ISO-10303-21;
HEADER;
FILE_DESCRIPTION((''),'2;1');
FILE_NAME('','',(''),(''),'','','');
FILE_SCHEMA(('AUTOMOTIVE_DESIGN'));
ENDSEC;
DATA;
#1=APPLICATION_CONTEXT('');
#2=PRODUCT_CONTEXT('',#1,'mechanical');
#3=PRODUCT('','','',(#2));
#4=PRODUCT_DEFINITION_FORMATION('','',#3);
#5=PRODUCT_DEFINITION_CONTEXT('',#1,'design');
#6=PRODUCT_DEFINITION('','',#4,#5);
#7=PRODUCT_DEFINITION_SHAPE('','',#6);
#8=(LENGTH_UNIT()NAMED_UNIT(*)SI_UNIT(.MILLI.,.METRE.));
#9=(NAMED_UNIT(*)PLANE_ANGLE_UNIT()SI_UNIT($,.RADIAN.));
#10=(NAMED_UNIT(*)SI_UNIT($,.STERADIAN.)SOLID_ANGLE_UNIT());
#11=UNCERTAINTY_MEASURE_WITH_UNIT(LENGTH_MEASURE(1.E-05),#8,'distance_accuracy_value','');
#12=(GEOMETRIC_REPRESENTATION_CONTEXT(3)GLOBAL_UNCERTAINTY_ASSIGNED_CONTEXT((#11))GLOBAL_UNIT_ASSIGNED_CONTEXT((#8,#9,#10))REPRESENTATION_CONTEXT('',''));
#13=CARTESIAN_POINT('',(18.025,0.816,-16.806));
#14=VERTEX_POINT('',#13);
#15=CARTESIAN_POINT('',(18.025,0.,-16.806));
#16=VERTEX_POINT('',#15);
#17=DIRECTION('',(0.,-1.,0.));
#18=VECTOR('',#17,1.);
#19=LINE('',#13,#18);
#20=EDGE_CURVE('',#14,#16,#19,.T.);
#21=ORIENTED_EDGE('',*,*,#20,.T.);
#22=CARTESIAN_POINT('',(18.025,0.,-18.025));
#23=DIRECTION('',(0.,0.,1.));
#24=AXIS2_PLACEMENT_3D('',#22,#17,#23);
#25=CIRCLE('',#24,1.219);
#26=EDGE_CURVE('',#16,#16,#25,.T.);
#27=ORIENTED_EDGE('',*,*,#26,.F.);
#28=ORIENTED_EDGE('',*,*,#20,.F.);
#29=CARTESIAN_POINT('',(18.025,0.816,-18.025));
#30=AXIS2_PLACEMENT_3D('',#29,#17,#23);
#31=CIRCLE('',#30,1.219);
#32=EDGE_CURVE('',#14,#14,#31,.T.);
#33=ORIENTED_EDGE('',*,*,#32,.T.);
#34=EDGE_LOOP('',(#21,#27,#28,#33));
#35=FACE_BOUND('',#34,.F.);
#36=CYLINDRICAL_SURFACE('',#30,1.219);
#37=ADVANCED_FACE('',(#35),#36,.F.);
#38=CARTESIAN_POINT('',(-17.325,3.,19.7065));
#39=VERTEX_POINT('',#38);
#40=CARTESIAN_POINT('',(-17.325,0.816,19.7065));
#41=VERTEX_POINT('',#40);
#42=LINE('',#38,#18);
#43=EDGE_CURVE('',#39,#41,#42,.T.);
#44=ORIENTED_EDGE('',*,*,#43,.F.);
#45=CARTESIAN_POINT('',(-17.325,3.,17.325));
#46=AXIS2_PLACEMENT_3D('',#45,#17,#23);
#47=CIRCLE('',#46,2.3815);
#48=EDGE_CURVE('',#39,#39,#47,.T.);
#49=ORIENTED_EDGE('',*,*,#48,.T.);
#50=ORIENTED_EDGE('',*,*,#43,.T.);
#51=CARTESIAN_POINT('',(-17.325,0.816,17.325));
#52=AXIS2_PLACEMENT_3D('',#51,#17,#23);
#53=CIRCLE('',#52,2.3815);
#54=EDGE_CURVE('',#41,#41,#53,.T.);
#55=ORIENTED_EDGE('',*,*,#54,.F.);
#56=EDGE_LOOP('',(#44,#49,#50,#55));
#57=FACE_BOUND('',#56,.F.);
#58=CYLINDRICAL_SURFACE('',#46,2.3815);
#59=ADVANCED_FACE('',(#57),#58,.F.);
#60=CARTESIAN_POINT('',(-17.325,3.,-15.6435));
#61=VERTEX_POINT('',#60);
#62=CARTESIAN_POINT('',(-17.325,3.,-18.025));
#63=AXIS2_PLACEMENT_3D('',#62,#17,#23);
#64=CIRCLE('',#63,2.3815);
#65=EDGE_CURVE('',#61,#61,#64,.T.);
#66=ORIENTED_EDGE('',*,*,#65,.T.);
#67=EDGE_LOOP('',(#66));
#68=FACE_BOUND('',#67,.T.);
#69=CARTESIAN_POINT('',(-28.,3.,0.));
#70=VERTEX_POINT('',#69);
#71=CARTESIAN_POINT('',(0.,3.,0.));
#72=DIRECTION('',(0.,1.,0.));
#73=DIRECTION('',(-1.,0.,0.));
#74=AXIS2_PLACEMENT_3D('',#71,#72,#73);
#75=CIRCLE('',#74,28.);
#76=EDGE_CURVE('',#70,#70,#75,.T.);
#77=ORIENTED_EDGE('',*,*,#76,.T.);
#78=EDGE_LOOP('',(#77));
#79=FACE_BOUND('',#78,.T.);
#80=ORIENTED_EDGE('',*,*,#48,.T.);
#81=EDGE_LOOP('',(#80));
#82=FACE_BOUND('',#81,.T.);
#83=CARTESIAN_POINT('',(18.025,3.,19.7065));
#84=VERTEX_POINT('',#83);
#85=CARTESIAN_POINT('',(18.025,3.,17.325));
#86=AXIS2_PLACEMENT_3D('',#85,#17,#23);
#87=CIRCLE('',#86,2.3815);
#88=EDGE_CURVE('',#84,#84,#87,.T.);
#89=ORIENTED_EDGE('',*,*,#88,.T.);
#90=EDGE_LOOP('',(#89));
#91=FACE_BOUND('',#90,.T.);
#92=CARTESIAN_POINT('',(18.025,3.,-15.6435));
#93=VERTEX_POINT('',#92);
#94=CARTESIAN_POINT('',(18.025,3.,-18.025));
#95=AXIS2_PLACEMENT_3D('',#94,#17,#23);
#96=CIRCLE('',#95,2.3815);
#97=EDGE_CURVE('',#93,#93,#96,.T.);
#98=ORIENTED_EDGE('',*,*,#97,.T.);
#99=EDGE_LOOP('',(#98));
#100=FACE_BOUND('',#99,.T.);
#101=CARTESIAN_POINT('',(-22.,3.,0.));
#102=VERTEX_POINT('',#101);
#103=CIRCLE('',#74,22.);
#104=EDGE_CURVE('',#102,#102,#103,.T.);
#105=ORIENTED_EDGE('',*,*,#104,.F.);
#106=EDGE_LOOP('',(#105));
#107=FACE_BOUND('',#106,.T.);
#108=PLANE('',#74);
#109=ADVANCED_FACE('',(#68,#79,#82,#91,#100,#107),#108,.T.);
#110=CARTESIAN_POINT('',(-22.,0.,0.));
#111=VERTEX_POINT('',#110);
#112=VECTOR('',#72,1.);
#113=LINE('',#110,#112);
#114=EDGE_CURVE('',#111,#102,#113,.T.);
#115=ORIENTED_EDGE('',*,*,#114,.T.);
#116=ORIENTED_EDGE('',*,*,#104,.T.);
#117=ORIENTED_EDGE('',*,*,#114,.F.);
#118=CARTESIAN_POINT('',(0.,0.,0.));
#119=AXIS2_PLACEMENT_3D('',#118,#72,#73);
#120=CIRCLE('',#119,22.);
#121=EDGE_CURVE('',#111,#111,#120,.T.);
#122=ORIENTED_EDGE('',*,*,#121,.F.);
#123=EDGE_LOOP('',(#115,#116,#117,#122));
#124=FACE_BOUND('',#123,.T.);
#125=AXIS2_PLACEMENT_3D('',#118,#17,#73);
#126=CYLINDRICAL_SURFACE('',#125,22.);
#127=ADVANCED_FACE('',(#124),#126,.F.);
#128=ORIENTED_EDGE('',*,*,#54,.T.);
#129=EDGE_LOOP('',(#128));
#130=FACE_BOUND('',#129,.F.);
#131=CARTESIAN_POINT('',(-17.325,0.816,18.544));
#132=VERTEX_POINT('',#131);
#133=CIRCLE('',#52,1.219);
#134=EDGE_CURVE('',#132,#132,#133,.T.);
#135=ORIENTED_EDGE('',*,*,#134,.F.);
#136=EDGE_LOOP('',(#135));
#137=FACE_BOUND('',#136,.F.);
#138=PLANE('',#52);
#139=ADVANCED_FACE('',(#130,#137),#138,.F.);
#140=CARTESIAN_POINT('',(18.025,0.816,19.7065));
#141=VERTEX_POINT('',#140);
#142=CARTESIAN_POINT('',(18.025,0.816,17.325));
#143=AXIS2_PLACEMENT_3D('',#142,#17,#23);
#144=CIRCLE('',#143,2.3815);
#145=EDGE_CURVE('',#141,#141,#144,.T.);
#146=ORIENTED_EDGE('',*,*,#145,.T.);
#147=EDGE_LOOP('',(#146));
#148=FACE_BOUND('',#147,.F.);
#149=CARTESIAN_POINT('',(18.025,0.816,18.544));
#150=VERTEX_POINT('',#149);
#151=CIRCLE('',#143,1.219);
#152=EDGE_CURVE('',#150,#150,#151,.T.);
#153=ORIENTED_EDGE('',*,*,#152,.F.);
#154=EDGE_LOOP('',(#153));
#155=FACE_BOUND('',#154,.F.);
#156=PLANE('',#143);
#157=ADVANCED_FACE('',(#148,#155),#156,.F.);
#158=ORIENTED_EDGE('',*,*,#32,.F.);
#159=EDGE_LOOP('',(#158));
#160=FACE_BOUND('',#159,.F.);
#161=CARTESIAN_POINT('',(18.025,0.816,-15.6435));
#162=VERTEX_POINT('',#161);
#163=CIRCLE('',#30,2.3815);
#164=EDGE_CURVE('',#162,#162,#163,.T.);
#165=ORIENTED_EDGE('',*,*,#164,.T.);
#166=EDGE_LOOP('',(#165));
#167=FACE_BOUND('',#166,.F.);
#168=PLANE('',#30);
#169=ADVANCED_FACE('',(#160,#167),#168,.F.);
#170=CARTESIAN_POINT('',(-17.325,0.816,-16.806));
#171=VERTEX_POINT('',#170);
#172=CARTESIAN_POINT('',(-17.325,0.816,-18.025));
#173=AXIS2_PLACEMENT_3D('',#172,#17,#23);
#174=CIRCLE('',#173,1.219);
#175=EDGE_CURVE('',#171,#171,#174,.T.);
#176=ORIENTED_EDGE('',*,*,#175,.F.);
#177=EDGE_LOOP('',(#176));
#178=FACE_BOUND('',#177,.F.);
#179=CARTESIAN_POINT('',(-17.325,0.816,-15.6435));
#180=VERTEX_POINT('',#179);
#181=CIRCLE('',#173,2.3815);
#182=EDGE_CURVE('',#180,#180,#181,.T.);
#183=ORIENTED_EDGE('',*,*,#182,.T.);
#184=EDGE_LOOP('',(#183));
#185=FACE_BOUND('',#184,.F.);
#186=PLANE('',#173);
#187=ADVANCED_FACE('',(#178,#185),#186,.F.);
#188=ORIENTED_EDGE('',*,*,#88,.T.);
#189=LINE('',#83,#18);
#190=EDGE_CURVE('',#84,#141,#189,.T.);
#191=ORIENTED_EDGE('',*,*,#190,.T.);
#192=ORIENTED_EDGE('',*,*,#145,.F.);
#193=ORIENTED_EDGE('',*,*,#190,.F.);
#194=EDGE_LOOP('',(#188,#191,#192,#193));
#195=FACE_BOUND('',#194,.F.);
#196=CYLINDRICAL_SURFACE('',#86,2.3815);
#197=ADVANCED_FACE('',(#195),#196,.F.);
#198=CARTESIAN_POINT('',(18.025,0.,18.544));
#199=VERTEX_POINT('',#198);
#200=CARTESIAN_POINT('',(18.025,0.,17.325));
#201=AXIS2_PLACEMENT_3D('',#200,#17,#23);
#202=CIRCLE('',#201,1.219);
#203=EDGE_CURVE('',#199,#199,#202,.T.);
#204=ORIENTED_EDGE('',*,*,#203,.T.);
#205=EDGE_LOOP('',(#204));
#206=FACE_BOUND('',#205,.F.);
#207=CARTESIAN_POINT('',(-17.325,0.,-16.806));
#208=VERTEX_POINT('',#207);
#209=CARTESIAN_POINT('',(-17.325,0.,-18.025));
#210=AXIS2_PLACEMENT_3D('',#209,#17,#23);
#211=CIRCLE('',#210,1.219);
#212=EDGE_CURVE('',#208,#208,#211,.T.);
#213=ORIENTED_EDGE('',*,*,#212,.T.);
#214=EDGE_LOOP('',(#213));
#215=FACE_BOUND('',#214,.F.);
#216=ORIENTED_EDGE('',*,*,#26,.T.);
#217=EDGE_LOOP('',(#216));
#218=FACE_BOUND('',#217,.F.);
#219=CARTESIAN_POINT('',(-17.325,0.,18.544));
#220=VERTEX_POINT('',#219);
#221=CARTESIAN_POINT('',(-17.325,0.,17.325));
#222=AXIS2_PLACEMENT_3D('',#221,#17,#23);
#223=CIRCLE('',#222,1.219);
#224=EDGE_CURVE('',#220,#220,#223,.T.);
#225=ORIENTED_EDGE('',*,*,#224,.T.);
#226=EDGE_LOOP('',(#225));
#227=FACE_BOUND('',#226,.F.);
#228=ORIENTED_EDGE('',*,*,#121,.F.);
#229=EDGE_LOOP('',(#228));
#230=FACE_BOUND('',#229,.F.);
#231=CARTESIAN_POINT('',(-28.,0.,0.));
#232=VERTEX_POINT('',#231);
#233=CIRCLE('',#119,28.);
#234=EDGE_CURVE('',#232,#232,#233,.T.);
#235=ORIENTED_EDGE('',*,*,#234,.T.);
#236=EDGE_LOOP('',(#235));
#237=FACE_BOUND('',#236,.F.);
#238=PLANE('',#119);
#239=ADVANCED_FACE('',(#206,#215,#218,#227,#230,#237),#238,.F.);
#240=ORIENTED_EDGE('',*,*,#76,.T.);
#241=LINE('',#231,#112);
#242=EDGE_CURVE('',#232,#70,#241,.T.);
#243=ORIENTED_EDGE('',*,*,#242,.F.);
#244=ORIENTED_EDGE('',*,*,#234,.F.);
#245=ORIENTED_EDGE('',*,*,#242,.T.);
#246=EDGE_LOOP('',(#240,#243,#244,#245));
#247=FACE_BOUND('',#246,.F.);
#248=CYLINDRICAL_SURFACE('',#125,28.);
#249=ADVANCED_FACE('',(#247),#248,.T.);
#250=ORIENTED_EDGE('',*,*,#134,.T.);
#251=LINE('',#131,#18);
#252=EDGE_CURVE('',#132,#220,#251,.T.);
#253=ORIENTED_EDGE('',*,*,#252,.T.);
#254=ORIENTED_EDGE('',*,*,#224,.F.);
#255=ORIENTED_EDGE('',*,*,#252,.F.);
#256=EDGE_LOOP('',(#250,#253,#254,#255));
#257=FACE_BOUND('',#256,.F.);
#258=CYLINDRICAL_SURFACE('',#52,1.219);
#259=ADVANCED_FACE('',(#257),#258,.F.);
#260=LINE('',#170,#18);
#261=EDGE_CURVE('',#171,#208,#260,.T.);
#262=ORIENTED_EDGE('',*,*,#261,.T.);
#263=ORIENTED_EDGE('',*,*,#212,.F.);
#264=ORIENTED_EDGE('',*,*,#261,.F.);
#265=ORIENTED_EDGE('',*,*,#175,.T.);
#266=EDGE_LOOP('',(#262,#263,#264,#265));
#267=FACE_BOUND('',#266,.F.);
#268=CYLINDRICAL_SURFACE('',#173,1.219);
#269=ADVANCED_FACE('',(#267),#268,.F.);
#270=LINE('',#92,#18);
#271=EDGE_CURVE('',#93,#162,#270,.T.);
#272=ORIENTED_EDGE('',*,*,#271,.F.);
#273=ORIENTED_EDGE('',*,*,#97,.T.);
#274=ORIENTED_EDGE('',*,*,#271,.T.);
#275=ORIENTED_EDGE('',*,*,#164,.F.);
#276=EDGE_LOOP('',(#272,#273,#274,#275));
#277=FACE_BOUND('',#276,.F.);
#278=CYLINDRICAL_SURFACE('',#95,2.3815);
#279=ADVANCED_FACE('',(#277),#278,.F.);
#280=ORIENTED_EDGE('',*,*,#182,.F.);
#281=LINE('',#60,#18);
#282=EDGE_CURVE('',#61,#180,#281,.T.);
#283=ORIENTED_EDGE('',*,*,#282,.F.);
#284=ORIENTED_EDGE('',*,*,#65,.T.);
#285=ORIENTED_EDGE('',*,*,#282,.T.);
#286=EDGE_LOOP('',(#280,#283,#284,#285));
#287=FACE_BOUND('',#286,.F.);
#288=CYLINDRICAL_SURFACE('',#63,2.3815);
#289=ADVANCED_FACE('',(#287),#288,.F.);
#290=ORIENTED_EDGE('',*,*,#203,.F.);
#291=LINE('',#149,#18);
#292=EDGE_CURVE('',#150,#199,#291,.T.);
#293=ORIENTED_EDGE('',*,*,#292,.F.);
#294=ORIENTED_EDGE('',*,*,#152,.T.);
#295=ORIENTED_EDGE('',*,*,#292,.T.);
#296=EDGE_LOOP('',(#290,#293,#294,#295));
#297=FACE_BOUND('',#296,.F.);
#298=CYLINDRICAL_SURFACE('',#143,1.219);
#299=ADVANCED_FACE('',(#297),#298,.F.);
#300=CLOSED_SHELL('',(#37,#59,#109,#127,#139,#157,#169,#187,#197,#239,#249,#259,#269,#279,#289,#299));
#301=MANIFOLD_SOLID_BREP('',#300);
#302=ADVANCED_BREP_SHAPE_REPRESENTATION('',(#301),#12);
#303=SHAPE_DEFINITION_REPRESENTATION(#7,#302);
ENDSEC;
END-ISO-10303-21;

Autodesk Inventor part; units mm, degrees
ref_plane "YZ Plane" through (0, 0, 0) normal (1, 0, 0) x (0, 1, 0)
ref_plane "XZ Plane" through (0, 0, 0) normal (0, 1, 0) x (-1, 0, 0)
ref_plane "XY Plane" through (0, 0, 0) normal (0, 0, 1) x (1, 0, 0)
sketch "Sketch1" plane through (0, 0, 0) normal (0, 1, 0) x (-1, 0, 0)
  circle A0 centre (0, 0) radius 22
  circle A1 centre (0, 0) radius 28
  dimension "d0" = 44
  dimension "d1" = 56
extrude "Extrusion1" add sketch "Sketch1" along normal blind 3
sketch "Sketch5" plane through (0, 3, 0) normal (0, 1, 0) x (1, 0, 0)
  line L0 (18.025, 18.025) -> (-17.325, 18.025)
  line L1 (-17.325, 18.025) -> (-17.325, -17.325)
  line L2 (-17.325, -17.325) -> (18.025, -17.325)
  line L3 (18.025, -17.325) -> (18.025, 18.025)
  point P0 (0, 0)
  dimension "d22" = 35.35
  dimension "d23" = 35.35
hole "Hole3" at (-17.325, 3, 17.325) at (-17.325, 3, -18.025) at (18.025, 3, -18.025) at (18.025, 3, 17.325) direction (0, -1, 0) diameter 2.438 end through all counterbore diameter 4.763 counterbore depth 2.184 clearance for "Socket Head Cap Screw" size "#2" standard "Ansi Unified Screw Threads"
properties part number "chamberPlateCircle"
